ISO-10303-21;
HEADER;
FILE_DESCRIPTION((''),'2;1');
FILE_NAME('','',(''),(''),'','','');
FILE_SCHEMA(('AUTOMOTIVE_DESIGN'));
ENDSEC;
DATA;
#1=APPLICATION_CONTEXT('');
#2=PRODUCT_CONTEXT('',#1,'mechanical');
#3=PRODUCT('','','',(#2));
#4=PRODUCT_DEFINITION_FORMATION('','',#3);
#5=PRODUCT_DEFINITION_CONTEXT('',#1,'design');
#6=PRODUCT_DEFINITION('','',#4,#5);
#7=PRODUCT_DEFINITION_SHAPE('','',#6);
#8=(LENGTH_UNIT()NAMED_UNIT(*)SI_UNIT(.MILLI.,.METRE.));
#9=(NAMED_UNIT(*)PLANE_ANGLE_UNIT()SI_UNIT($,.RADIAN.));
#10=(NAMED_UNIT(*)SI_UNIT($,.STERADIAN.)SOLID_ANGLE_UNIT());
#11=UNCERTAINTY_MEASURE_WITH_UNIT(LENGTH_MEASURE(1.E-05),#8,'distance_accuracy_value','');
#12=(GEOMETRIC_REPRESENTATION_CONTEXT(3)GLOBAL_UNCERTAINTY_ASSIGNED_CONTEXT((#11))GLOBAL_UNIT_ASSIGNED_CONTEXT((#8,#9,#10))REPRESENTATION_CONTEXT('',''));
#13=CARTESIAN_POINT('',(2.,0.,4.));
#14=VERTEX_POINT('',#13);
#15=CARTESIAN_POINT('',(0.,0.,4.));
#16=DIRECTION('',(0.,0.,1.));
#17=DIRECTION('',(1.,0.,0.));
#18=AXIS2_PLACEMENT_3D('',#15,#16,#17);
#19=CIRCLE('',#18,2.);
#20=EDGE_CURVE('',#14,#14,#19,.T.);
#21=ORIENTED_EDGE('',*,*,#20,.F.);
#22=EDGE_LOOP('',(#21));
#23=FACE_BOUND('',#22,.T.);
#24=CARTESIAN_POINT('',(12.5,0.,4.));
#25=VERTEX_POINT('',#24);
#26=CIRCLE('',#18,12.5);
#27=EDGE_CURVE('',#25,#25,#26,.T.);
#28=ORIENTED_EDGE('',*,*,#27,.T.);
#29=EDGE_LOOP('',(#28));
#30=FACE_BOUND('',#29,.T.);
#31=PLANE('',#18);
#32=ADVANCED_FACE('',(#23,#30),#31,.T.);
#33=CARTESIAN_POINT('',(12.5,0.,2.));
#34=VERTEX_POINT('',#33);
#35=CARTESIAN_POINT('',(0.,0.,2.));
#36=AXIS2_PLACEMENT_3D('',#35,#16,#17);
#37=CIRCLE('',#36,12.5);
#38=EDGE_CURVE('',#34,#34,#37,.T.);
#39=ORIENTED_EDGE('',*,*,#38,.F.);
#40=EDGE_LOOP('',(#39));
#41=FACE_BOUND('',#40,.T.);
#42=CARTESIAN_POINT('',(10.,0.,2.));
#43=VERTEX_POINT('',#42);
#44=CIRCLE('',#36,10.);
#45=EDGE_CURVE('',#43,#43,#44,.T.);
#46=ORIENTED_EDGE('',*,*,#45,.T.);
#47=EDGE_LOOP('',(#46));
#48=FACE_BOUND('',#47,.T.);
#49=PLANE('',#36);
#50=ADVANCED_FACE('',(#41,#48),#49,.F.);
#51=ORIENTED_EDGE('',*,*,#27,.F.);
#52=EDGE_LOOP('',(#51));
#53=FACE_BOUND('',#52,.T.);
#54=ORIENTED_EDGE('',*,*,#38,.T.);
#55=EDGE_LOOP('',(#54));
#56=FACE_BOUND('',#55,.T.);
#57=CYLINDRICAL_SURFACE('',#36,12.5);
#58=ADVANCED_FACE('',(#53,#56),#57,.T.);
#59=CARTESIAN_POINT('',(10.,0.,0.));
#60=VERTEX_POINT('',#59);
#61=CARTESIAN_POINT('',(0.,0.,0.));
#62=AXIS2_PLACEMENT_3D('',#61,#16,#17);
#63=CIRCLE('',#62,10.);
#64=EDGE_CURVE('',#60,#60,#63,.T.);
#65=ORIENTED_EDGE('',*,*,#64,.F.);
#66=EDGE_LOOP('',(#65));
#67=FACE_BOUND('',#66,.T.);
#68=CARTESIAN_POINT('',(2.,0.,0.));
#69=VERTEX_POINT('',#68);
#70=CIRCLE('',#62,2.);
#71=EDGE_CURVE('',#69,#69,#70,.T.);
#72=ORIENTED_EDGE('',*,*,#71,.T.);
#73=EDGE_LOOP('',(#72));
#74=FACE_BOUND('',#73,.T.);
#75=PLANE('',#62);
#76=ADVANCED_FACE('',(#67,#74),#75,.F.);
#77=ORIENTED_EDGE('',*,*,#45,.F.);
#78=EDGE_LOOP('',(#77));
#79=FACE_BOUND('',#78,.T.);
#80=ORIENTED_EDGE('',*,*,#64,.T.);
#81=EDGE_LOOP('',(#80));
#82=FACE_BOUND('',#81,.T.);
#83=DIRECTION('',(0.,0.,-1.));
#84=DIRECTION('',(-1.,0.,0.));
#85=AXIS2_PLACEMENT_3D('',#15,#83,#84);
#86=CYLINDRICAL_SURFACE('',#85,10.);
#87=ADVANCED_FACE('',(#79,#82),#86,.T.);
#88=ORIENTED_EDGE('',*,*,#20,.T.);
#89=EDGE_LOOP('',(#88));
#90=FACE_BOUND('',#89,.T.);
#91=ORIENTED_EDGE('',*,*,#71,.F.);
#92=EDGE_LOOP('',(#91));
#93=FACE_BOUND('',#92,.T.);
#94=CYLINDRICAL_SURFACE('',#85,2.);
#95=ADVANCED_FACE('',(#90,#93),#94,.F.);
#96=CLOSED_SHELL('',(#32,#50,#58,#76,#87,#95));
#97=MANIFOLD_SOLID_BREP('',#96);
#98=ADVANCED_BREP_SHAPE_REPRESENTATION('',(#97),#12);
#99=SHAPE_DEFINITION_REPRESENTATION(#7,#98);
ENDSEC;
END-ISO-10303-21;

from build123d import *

# Parameters (mm, degrees)
SKETCH1_R           = 10
SKETCH1_R_2         = 2
BOSS_EXTRUDE1_DEPTH = 4
BOSS_EXTRUDE2_START = -2
SKETCH2_R           = 12.5
SKETCH2_R_2         = 10
BOSS_EXTRUDE2_DEPTH = 2


with BuildPart() as part:
    # Sketch1 → Boss-Extrude1 (new body)
    with BuildSketch(Plane.XY):
        Circle(SKETCH1_R)
        Circle(SKETCH1_R_2, mode=Mode.SUBTRACT)
    extrude(amount=BOSS_EXTRUDE1_DEPTH)

    # Sketch2 → Boss-Extrude2 (add)
    with BuildSketch(Plane.XY.offset(4).offset(BOSS_EXTRUDE2_START)):
        Circle(SKETCH2_R)
        Circle(SKETCH2_R_2, mode=Mode.SUBTRACT)
    extrude(amount=BOSS_EXTRUDE2_DEPTH)


solid = part.part
